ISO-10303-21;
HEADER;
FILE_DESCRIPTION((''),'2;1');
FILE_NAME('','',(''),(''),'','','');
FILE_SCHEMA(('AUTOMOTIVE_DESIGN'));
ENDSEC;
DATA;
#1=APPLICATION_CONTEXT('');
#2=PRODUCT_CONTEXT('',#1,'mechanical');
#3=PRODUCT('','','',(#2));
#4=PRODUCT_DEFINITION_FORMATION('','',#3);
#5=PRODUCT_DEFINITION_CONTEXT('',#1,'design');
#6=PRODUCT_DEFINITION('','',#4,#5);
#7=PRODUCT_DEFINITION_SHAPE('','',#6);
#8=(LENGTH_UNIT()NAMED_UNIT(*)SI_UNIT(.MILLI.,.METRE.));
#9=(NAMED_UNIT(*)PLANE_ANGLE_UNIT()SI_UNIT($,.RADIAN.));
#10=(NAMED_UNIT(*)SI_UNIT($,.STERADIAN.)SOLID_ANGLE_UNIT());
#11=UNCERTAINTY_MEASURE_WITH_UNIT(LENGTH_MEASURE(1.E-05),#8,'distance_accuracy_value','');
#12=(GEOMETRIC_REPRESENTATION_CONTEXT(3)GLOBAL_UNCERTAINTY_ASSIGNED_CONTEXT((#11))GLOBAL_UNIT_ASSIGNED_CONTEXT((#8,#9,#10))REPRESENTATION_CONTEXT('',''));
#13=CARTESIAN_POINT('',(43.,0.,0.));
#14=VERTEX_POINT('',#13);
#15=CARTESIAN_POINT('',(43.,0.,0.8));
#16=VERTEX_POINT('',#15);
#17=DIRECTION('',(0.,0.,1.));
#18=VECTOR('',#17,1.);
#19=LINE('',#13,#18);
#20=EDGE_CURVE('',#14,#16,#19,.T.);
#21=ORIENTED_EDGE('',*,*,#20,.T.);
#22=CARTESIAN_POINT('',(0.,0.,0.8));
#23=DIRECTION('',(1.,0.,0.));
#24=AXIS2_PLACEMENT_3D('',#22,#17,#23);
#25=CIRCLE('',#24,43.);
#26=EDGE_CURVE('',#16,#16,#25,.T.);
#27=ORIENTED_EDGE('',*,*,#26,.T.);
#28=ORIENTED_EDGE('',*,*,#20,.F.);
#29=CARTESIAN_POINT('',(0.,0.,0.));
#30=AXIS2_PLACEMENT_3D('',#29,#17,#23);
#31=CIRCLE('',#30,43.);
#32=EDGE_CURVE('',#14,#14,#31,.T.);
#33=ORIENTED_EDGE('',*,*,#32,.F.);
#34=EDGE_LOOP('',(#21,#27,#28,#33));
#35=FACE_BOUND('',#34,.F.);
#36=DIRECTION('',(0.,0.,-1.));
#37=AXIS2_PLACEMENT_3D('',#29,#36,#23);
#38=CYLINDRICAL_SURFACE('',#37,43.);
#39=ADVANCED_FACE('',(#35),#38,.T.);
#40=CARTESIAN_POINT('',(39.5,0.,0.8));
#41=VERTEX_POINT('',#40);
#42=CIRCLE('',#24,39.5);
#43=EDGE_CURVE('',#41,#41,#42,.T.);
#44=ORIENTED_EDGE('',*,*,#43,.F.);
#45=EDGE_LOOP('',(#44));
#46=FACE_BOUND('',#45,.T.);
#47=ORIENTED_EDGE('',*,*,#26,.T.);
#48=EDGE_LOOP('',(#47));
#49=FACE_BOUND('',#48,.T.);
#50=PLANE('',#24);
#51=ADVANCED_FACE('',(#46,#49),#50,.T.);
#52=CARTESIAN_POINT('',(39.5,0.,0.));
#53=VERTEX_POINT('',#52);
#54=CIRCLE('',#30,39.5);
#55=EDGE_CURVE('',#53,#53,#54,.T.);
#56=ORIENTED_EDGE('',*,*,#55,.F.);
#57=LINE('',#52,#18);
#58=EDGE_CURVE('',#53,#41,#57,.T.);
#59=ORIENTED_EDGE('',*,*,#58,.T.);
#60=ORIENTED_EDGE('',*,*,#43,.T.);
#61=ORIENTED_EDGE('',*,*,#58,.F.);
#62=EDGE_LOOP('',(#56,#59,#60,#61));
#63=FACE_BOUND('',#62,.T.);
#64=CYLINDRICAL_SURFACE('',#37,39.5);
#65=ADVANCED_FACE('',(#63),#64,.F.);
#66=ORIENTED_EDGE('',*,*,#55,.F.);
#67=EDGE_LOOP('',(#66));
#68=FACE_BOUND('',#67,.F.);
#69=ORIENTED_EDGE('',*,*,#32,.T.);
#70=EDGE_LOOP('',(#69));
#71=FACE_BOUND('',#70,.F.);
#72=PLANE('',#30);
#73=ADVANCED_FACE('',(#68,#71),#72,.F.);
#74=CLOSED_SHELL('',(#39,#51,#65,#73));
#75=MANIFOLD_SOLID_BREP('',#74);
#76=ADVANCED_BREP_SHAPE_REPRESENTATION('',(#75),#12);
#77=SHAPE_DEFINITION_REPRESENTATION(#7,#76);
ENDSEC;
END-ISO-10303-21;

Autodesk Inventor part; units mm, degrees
ref_plane "YZ Plane" through (0, 0, 0) normal (1, 0, 0) x (0, 1, 0)
ref_plane "XZ Plane" through (0, 0, 0) normal (0, 1, 0) x (-1, 0, 0)
ref_plane "XY Plane" through (0, 0, 0) normal (0, 0, 1) x (1, 0, 0)
sketch "Szkic1" plane through (0, 0, 0) normal (0, 0, 1) x (1, 0, 0)
  circle A0 centre (0, 0) radius 39.5
  circle A1 centre (0, 0) radius 43
  dimension "d0" = 79
  dimension "d1" = 86
extrude "Wyciągnięcie proste1" add sketch "Szkic1" along normal blind 0.8
properties part number "podkladka_Drukowanie 3D"
